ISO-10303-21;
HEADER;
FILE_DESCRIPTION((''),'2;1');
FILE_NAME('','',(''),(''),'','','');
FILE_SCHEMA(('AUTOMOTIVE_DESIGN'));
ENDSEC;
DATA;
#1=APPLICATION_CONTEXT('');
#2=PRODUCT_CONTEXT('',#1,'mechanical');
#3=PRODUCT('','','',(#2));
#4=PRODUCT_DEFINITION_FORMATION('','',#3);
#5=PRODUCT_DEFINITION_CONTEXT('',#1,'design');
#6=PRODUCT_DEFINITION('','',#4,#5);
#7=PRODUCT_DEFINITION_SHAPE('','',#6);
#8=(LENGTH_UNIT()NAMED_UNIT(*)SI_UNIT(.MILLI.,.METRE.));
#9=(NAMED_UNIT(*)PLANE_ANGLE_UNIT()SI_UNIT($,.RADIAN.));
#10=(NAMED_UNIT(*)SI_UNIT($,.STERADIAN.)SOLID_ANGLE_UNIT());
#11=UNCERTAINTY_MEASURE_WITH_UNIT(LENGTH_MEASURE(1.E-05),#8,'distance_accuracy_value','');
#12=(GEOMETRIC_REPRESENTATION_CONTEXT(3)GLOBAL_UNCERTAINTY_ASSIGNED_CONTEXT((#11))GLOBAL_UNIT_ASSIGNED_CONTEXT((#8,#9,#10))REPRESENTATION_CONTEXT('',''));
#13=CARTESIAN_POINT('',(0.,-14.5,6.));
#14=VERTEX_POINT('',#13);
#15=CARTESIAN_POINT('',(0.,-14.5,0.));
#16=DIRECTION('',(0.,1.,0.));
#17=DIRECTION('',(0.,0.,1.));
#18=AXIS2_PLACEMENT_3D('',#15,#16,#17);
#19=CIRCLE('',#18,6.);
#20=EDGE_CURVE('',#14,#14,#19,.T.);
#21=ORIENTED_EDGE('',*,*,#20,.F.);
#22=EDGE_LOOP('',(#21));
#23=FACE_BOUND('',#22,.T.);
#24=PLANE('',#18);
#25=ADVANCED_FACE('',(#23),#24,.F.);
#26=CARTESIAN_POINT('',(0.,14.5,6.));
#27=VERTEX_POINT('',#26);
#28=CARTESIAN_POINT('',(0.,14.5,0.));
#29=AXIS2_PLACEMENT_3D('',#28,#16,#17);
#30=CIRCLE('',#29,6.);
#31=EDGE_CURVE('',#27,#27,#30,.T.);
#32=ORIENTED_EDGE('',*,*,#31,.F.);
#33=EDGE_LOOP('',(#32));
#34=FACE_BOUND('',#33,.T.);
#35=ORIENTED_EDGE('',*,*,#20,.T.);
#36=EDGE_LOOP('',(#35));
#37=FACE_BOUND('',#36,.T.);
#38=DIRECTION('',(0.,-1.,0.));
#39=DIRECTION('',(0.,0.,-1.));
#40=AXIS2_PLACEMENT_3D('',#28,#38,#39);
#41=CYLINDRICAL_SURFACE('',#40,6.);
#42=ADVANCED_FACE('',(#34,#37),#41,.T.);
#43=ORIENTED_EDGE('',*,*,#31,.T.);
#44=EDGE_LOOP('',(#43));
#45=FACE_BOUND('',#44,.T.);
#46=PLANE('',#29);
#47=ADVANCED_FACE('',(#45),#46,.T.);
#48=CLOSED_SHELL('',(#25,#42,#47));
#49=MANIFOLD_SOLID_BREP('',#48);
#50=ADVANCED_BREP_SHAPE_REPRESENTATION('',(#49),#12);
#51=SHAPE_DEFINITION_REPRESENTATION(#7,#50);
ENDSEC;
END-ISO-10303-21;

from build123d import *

# Parameters (mm, degrees)
SKETCH1_R           = 6
BOSS_EXTRUDE1_DEPTH = 14.5


with BuildPart() as part:
    # Sketch1 → Boss-Extrude1 (new body, symmetric)
    with BuildSketch(Plane(origin=(0, 0, 0), x_dir=(1, 0, 0), z_dir=(0, 1, 0))):
        Circle(SKETCH1_R)
    extrude(amount=BOSS_EXTRUDE1_DEPTH, both=True)


solid = part.part
